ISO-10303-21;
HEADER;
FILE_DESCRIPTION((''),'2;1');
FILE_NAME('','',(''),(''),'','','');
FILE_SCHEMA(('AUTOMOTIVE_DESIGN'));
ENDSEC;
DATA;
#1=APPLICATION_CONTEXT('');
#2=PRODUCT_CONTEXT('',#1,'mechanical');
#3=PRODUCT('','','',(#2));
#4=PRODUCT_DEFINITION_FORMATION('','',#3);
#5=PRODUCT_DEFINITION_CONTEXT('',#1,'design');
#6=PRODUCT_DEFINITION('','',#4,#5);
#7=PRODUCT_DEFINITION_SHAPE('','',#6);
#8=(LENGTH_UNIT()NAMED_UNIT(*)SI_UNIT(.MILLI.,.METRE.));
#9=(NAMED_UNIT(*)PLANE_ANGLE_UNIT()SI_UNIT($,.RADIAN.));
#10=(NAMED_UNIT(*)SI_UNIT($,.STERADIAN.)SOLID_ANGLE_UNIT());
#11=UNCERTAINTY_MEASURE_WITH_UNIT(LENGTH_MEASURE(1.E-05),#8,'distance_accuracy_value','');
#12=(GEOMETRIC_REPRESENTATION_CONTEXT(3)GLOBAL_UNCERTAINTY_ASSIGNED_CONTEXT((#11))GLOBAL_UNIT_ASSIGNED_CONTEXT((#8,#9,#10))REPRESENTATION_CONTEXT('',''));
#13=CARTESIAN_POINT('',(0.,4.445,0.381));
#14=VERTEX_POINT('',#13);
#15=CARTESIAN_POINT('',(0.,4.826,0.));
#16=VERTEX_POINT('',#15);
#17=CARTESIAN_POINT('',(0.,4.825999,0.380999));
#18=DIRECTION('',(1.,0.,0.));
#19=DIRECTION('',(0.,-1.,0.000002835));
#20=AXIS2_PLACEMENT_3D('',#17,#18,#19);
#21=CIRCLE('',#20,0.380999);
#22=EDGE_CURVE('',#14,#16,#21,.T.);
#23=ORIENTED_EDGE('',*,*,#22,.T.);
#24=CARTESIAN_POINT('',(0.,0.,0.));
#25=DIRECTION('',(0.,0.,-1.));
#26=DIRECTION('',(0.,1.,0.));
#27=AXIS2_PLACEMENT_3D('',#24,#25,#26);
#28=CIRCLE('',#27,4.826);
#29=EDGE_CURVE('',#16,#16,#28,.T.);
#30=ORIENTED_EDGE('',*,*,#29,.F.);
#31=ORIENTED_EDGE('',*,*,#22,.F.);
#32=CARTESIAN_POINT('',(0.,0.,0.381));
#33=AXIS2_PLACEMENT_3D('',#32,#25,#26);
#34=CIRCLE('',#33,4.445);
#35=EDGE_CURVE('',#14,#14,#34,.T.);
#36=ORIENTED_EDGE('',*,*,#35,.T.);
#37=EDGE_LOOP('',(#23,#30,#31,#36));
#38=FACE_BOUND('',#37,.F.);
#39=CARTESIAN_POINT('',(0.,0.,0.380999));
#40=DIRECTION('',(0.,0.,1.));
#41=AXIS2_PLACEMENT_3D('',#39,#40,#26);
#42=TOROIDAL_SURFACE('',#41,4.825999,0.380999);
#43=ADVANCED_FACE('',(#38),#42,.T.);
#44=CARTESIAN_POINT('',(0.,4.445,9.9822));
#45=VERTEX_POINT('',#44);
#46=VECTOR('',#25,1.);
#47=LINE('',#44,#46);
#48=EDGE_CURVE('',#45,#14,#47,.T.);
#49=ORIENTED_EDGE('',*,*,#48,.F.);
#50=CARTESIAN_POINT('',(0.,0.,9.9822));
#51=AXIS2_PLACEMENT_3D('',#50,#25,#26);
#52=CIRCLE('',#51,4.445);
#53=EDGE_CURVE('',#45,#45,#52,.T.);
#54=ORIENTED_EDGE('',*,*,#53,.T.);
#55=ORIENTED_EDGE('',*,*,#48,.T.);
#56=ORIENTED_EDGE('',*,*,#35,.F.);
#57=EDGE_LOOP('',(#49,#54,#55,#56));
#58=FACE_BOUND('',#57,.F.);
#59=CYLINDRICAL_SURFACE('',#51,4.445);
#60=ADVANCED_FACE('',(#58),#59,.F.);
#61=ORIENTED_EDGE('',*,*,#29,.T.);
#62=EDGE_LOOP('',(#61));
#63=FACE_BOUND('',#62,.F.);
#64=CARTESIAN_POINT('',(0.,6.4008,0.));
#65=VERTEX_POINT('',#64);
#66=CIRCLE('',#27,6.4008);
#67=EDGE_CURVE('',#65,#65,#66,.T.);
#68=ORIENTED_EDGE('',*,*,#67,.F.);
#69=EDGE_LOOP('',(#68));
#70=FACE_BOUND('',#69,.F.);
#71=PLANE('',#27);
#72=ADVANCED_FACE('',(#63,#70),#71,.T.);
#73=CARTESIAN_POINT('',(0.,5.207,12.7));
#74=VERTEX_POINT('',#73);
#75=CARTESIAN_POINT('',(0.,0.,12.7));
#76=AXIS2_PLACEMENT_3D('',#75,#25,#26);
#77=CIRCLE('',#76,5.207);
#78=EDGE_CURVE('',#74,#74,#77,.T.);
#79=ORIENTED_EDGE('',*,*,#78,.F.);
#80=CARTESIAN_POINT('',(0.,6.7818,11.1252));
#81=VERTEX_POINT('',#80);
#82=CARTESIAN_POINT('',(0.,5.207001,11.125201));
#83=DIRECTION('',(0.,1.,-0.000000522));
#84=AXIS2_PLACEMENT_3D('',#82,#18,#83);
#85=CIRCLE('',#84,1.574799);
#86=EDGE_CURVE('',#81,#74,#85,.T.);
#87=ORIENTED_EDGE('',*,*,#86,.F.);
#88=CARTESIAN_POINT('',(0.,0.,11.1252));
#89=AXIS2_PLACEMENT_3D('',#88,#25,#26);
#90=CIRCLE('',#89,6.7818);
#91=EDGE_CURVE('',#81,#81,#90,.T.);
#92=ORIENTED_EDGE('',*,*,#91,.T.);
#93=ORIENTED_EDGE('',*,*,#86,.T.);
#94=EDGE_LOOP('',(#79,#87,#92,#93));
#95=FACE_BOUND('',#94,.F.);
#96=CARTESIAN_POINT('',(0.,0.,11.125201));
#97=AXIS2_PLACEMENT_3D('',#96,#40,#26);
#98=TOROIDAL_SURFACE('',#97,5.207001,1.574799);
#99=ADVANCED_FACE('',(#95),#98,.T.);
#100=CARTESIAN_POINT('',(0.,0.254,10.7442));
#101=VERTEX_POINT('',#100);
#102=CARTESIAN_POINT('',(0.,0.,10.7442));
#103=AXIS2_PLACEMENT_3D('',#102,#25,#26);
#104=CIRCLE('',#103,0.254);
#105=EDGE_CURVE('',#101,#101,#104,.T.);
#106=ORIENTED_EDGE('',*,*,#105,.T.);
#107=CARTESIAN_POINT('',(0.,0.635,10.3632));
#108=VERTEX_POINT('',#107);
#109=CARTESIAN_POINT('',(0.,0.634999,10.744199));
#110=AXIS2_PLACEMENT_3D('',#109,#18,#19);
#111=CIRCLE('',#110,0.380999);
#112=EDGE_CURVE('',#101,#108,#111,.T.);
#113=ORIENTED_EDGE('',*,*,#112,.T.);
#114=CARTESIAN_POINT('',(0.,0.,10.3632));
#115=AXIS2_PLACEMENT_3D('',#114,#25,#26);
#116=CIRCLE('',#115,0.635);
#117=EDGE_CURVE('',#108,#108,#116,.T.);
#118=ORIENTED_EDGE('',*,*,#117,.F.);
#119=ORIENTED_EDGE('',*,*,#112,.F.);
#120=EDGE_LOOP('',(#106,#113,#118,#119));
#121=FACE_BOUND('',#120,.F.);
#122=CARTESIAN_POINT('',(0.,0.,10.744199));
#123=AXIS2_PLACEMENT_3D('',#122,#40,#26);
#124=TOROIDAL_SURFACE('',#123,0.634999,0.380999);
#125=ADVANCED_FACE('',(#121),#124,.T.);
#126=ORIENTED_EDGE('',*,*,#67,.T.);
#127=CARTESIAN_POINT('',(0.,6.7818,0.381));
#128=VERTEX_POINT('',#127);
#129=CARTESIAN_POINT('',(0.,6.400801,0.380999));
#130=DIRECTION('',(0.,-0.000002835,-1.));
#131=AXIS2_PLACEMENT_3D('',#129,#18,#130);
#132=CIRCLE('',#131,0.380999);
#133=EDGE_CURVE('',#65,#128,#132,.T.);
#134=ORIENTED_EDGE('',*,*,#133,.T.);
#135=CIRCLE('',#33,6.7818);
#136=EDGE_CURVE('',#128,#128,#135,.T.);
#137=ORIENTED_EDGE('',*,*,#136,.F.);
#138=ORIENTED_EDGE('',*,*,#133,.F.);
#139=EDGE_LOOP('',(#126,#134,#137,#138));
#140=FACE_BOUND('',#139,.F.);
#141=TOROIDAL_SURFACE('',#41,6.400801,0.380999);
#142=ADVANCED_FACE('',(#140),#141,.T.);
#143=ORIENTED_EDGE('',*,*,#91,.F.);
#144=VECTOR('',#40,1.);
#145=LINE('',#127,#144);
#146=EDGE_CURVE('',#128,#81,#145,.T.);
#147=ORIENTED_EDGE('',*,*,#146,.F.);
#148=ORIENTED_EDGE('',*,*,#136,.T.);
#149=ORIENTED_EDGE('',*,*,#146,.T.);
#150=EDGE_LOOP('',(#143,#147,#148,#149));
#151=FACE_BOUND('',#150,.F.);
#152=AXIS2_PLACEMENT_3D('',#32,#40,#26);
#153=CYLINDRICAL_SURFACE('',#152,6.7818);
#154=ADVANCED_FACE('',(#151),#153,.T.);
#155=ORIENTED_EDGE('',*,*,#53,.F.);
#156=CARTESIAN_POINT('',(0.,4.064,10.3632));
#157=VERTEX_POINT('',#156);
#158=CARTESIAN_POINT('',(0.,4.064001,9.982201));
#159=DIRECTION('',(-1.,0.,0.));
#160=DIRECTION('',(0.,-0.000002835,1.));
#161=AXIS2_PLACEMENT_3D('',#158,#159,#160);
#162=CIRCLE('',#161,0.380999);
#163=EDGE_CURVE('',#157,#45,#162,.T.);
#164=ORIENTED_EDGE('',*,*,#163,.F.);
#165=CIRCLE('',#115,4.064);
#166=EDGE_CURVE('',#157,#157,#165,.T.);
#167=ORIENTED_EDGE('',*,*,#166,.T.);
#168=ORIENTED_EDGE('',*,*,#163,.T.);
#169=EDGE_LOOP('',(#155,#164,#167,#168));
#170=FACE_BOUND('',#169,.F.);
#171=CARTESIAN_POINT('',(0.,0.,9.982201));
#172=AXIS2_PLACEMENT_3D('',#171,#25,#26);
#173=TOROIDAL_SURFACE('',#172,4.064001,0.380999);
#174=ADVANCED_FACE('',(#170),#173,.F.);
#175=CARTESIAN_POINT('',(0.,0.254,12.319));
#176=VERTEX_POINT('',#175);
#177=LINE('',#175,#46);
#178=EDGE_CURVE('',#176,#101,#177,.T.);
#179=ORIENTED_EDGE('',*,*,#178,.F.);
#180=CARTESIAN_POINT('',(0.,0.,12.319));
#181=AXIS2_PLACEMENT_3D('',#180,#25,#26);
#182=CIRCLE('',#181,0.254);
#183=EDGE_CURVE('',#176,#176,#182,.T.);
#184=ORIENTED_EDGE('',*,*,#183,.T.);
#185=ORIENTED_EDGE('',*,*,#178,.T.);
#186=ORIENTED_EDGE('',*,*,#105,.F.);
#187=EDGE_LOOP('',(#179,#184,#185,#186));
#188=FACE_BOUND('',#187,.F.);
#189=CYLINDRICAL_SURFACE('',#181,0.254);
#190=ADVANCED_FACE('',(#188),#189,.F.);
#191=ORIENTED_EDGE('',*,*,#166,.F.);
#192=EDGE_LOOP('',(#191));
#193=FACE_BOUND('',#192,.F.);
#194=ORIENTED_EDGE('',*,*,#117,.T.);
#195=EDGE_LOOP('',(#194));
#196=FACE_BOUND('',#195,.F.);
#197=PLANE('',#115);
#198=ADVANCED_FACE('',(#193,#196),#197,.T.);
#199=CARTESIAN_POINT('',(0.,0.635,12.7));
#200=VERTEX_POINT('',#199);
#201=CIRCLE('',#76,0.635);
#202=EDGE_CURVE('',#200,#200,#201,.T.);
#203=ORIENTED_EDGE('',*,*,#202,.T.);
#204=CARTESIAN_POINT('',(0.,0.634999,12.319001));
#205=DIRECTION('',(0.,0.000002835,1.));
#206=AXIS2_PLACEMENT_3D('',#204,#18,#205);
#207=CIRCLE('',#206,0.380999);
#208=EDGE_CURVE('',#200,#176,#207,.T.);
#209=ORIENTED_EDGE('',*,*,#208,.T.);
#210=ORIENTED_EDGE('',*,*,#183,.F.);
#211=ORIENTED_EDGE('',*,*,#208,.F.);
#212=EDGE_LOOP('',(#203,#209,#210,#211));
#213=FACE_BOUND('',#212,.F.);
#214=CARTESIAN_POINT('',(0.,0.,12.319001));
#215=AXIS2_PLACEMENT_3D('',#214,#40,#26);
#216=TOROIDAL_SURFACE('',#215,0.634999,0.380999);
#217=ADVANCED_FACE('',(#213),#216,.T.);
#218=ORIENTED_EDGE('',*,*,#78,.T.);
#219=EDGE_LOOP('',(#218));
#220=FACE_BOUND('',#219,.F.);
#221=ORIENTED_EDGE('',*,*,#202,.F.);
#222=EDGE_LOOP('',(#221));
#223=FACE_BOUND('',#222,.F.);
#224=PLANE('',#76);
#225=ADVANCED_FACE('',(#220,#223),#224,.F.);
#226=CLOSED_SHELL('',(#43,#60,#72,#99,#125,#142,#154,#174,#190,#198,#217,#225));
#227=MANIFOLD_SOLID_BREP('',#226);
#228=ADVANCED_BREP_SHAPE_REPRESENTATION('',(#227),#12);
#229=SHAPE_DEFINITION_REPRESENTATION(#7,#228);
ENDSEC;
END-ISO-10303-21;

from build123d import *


with BuildPart() as f1:
    # F0 (on Right) → F1 (revolve)
    with BuildSketch(Plane.YZ):
        with BuildLine():
            ThreePointArc((4.445, 0.381), (4.556592, 0.111592), (4.826, 0))
            Line((4.826, 0), (6.4008, 0))
            ThreePointArc((6.4008, 0), (6.670208, 0.111592), (6.7818, 0.381))
            Line((6.7818, 0.381), (6.7818, 11.1252))
            ThreePointArc((6.7818, 11.1252), (6.320552, 12.238752), (5.207, 12.7))
            Line((5.207, 12.7), (0.635, 12.7))
            ThreePointArc((0.635, 12.7), (0.365592, 12.588408), (0.254, 12.319))
            Line((0.254, 12.319), (0.254, 10.7442))
            ThreePointArc((0.254, 10.7442), (0.365592, 10.474792), (0.635, 10.3632))
            Line((0.635, 10.3632), (4.064, 10.3632))
            ThreePointArc((4.064, 10.3632), (4.333408, 10.251608), (4.445, 9.9822))
            Line((4.445, 9.9822), (4.445, 0.381))
        make_face()
    revolve(axis=Axis((0, 0, 9.489433), (0, 0, -1)))


solid = f1.part
